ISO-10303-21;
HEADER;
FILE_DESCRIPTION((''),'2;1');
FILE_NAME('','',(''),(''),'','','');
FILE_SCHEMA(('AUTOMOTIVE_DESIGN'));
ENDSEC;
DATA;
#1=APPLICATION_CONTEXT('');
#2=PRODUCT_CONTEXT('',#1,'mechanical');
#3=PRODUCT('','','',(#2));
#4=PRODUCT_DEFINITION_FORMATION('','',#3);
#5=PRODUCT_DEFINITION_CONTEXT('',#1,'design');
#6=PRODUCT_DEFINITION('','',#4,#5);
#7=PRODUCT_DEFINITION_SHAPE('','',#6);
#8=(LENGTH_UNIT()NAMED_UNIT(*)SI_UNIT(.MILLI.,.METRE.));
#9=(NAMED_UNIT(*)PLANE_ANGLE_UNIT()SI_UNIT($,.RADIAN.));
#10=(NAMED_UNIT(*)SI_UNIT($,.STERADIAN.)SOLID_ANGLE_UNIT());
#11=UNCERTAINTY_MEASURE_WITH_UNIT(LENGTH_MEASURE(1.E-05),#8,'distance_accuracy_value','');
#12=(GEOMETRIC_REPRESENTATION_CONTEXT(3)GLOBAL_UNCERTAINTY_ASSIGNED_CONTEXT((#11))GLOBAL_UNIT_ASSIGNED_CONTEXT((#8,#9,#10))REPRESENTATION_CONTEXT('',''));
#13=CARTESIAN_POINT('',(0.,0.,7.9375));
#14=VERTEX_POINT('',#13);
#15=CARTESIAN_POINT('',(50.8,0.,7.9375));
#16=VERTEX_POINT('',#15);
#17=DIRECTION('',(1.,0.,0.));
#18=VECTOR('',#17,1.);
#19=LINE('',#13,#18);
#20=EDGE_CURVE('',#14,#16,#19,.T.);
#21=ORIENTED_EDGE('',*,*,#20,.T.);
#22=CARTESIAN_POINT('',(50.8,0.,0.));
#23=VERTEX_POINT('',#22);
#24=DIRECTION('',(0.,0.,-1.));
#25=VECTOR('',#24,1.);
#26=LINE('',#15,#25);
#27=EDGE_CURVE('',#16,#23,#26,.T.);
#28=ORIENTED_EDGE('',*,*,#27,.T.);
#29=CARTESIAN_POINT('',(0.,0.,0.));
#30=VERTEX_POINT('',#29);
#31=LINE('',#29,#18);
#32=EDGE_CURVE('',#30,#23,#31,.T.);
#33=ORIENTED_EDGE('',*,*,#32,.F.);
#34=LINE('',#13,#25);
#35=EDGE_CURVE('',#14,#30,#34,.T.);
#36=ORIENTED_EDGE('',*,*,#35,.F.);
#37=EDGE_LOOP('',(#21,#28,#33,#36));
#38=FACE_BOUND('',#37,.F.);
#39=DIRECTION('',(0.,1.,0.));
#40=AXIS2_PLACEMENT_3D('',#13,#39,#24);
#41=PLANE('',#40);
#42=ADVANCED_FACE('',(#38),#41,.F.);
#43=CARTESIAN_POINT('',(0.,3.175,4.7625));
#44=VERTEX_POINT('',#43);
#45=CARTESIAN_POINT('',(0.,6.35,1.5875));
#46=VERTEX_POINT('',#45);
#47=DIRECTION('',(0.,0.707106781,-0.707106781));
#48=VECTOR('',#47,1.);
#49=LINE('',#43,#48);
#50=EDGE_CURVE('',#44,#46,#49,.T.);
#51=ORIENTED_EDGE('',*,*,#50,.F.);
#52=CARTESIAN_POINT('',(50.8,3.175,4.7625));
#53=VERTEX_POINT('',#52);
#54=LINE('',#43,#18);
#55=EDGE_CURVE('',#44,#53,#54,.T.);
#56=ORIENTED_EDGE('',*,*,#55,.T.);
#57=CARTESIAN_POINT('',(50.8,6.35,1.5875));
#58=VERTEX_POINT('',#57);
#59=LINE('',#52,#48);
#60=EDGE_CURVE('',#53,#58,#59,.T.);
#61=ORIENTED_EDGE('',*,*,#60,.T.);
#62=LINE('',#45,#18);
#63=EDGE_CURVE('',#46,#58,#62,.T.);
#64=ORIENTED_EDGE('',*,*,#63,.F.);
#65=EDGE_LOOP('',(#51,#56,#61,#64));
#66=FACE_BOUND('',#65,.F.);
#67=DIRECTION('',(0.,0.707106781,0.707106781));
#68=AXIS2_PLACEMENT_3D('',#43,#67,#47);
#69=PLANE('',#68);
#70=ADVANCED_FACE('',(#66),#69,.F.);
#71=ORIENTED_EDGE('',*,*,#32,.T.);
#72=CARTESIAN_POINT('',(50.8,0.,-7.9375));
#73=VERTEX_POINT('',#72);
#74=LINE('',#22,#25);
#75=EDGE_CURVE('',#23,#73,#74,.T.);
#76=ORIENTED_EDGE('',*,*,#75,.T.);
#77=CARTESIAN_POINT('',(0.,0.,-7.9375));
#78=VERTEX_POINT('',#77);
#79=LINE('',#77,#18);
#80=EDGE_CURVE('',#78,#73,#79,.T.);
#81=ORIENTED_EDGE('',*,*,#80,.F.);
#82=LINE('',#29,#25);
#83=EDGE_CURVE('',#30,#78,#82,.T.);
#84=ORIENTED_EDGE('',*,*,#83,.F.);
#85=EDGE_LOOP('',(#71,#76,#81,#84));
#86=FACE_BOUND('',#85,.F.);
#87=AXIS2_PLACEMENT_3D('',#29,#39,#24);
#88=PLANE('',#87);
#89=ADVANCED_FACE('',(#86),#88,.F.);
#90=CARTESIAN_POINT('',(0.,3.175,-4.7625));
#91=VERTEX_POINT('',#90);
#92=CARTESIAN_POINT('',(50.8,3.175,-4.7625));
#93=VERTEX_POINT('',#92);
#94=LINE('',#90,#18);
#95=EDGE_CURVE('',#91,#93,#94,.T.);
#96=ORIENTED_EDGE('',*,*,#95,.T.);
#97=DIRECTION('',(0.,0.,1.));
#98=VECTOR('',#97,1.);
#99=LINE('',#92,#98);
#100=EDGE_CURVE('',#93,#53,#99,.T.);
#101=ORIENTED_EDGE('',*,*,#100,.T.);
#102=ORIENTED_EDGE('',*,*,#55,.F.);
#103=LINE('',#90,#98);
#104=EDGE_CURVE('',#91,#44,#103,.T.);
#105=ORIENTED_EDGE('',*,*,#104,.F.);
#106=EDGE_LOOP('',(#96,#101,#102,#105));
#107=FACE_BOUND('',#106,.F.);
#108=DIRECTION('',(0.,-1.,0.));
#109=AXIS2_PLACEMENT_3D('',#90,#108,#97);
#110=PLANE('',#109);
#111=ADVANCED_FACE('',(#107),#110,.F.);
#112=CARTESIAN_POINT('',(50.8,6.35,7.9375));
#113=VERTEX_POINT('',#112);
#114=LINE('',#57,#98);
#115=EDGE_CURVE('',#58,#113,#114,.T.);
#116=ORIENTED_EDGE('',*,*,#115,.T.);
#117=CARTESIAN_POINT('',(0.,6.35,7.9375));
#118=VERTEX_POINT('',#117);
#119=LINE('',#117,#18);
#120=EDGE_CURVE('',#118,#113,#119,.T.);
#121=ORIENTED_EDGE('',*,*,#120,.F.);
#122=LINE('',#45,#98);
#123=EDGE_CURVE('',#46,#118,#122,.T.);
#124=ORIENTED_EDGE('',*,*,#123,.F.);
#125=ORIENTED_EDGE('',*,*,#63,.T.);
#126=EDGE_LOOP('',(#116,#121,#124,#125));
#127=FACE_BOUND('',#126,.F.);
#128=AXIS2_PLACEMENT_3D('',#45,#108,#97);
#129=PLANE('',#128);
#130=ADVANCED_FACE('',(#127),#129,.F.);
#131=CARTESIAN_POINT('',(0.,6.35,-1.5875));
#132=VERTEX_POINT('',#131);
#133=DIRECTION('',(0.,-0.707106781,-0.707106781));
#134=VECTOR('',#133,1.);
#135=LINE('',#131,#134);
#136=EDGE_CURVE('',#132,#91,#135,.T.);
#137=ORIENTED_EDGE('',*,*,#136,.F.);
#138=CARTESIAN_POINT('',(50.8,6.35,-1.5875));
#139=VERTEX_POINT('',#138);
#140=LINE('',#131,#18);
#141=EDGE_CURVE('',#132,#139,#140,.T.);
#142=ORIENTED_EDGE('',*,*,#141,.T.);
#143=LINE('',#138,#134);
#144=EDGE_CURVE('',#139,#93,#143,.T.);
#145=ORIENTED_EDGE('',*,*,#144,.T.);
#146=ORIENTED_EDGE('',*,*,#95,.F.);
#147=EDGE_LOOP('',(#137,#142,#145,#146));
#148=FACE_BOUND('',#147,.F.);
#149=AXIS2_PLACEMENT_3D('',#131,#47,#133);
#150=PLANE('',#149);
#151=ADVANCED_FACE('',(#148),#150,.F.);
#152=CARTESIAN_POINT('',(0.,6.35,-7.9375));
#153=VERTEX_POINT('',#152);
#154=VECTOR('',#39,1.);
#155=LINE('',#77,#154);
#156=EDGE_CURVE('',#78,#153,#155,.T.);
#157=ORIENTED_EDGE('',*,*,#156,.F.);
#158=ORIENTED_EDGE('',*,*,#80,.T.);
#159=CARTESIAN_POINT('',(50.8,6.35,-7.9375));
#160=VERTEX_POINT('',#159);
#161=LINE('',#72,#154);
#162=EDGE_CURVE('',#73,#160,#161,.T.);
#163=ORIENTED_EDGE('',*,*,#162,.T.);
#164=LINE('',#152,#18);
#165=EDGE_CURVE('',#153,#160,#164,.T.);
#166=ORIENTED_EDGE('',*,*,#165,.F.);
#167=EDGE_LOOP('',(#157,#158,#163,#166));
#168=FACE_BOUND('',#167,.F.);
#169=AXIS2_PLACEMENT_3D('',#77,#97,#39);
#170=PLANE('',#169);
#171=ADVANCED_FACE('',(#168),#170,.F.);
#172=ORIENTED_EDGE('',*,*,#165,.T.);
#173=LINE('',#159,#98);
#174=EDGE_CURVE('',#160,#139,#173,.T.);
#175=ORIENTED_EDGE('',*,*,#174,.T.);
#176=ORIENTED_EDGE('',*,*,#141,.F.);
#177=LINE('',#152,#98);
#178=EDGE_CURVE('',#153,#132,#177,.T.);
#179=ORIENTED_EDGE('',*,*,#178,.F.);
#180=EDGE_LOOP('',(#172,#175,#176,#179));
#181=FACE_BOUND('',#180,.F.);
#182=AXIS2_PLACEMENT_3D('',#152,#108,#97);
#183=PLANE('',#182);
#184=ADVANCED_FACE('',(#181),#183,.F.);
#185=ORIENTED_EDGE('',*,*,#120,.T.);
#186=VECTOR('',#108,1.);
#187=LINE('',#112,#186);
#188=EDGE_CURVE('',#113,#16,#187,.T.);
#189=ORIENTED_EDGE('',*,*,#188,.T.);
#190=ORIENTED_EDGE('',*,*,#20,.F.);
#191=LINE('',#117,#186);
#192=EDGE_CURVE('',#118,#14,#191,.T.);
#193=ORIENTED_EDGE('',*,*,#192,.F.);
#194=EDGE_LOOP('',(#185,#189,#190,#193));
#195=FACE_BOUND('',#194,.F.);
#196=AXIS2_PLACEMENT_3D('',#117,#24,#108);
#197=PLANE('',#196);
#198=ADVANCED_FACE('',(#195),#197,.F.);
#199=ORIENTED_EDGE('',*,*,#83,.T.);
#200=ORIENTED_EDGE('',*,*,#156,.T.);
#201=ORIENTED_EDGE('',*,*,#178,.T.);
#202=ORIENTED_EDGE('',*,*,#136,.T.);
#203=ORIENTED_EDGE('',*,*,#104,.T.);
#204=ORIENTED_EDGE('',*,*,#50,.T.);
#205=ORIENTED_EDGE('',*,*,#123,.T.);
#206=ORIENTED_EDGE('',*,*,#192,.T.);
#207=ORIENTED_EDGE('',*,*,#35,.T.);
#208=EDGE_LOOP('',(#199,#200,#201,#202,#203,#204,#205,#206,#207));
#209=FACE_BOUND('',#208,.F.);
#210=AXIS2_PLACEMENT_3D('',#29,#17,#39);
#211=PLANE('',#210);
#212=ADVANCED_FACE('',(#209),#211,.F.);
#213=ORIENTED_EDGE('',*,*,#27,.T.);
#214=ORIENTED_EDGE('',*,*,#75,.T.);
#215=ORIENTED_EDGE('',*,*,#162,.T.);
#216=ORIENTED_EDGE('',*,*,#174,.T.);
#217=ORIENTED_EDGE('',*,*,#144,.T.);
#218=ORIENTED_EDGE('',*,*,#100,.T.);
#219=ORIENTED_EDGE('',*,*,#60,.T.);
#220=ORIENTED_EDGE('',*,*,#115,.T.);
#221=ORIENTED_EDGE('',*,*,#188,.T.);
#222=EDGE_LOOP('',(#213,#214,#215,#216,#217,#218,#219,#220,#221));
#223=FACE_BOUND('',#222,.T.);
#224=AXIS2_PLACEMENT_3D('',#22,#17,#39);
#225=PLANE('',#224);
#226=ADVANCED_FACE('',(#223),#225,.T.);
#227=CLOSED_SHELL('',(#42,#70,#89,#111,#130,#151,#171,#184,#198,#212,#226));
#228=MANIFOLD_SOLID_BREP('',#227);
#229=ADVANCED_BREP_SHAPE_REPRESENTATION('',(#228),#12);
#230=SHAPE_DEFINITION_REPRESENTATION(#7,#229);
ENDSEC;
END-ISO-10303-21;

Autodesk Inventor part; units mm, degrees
ref_plane "YZ Plane" through (0, 0, 0) normal (1, 0, 0) x (0, 1, 0)
ref_plane "XZ Plane" through (0, 0, 0) normal (0, 1, 0) x (-1, 0, 0)
ref_plane "XY Plane" through (0, 0, 0) normal (0, 0, 1) x (1, 0, 0)
sketch "Sketch1" plane through (0, 0, 0) normal (1, 0, 0) x (0, 1, 0)
  line L0 (0, 0) -> (0, -7.9375)
  line L1 (0, -7.9375) -> (6.35, -7.9375)
  line L2 (6.35, -7.9375) -> (6.35, -1.5875)
  line L3 (6.35, -1.5875) -> (3.175, -4.7625)
  line L4 (3.175, -4.7625) -> (3.175, 4.7625)
  line L5 (3.175, 4.7625) -> (6.35, 1.5875)
  line L6 (6.35, 1.5875) -> (6.35, 7.9375)
  line L7 (6.35, 7.9375) -> (0, 7.9375)
  line L8 (0, 7.9375) -> (0, 0)
  dimension "d0" = 7.9375
  dimension "d1" = 7.9375
  dimension "d2" = 6.35
  dimension "d3" = 6.35
  dimension "d4" = 6.35
  dimension "d5" = 6.35
  dimension "d6" = 9.525
  dimension "d7" = 45
  dimension "d8" = 45
extrude "Extrusion1" add sketch "Sketch1" along normal blind 50.8
sketch "Sketch2" plane through (0, 0, -7.9375) normal (0, 0, -1) x (-1, 0, 0)
  point P0 (0, 0)
properties part number "Test2"
